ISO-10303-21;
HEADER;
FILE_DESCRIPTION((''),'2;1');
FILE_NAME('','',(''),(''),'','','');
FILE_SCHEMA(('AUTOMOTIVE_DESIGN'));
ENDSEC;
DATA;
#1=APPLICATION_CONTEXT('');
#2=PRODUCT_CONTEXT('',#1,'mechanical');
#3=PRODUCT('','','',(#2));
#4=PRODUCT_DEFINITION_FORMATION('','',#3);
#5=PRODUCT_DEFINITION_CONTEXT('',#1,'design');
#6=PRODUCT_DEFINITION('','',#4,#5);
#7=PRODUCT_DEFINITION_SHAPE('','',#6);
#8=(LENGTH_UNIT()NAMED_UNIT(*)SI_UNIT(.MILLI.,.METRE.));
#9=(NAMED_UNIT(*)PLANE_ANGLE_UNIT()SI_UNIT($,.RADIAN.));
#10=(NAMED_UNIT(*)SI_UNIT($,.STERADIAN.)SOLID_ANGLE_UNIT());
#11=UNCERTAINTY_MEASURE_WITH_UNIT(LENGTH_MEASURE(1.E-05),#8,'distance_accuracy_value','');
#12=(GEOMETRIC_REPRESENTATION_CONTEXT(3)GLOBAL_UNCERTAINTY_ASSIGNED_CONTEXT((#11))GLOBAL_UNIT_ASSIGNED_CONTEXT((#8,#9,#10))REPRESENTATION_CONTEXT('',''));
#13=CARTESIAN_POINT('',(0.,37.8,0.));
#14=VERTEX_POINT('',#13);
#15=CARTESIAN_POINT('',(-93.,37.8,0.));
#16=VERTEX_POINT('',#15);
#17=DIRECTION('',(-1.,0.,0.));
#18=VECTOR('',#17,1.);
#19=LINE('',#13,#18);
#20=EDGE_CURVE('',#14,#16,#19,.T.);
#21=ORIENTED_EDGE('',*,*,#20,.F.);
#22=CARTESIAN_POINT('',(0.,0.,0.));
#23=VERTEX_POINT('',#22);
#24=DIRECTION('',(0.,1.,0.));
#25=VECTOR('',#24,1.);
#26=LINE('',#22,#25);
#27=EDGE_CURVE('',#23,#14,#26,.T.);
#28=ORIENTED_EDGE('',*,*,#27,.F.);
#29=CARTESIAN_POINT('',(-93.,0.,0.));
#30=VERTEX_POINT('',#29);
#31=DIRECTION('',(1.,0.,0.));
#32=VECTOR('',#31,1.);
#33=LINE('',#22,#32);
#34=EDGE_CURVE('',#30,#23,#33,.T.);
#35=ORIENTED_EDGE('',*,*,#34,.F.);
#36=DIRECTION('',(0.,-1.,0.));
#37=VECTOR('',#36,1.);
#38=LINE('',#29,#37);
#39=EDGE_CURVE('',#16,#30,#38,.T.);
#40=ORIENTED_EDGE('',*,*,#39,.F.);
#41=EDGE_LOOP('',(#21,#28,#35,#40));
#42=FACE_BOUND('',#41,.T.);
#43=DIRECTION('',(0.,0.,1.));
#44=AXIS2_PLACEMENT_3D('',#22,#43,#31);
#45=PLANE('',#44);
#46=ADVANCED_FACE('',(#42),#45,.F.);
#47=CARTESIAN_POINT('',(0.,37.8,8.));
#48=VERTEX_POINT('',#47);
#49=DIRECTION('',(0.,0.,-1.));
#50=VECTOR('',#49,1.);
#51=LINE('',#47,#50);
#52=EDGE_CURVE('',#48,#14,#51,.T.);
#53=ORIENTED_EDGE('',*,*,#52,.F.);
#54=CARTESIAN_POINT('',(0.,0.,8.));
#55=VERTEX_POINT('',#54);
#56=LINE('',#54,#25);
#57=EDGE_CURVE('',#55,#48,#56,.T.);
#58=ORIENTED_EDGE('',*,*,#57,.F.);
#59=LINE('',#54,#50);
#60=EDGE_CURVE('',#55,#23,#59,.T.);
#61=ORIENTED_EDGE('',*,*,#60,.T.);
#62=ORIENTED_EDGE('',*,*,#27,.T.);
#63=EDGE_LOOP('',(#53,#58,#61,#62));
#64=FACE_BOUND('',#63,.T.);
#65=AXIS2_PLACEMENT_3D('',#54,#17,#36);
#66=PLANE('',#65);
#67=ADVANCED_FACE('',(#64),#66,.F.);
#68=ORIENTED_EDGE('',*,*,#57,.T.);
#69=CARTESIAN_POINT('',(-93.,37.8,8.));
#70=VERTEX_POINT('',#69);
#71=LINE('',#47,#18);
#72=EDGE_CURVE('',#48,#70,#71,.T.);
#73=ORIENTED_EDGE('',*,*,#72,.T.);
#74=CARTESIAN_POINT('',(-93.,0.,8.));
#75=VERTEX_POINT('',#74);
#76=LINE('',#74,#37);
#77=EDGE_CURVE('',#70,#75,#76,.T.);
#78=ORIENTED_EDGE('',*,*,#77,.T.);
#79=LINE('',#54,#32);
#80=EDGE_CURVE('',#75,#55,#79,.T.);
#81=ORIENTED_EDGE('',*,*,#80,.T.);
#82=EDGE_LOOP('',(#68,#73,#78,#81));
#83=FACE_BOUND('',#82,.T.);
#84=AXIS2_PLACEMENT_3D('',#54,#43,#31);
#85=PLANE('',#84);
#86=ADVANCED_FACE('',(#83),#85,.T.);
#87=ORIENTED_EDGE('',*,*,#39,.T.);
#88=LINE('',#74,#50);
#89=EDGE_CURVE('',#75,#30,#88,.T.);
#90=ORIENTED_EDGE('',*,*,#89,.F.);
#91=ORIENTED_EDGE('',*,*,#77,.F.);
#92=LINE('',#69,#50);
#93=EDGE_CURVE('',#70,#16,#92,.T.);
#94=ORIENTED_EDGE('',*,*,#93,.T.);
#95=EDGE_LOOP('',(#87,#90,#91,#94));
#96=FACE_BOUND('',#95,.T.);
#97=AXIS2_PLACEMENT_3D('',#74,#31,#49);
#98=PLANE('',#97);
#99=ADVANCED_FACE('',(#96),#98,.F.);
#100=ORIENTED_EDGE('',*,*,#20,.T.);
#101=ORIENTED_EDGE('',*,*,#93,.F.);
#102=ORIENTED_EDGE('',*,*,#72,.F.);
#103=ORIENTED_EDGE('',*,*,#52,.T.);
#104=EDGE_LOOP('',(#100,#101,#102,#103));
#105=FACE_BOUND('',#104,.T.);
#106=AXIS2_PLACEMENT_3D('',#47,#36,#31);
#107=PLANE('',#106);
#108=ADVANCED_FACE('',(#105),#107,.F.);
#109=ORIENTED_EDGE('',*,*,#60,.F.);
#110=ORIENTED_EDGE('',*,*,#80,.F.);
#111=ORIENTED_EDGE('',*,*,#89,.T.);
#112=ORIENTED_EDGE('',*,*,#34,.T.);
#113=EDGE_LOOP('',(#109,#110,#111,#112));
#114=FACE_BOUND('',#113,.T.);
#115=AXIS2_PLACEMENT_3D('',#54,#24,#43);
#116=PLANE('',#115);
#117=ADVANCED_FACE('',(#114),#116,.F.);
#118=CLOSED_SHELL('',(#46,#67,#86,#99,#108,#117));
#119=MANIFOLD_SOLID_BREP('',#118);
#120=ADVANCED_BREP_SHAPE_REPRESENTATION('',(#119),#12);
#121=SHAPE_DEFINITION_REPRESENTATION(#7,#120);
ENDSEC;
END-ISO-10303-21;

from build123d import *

# Parameters (mm, degrees)
ESQUISSE1_W        = 93
ESQUISSE1_H        = 37.8
BOSS_EXTRU_1_DEPTH = 8


with BuildPart() as part:
    # Esquisse1 → Boss.-Extru.1 (new body)
    with BuildSketch(Plane.XY):
        with Locations((-46.5, 18.9)):
            Rectangle(ESQUISSE1_W, ESQUISSE1_H)
    extrude(amount=BOSS_EXTRU_1_DEPTH)


solid = part.part
